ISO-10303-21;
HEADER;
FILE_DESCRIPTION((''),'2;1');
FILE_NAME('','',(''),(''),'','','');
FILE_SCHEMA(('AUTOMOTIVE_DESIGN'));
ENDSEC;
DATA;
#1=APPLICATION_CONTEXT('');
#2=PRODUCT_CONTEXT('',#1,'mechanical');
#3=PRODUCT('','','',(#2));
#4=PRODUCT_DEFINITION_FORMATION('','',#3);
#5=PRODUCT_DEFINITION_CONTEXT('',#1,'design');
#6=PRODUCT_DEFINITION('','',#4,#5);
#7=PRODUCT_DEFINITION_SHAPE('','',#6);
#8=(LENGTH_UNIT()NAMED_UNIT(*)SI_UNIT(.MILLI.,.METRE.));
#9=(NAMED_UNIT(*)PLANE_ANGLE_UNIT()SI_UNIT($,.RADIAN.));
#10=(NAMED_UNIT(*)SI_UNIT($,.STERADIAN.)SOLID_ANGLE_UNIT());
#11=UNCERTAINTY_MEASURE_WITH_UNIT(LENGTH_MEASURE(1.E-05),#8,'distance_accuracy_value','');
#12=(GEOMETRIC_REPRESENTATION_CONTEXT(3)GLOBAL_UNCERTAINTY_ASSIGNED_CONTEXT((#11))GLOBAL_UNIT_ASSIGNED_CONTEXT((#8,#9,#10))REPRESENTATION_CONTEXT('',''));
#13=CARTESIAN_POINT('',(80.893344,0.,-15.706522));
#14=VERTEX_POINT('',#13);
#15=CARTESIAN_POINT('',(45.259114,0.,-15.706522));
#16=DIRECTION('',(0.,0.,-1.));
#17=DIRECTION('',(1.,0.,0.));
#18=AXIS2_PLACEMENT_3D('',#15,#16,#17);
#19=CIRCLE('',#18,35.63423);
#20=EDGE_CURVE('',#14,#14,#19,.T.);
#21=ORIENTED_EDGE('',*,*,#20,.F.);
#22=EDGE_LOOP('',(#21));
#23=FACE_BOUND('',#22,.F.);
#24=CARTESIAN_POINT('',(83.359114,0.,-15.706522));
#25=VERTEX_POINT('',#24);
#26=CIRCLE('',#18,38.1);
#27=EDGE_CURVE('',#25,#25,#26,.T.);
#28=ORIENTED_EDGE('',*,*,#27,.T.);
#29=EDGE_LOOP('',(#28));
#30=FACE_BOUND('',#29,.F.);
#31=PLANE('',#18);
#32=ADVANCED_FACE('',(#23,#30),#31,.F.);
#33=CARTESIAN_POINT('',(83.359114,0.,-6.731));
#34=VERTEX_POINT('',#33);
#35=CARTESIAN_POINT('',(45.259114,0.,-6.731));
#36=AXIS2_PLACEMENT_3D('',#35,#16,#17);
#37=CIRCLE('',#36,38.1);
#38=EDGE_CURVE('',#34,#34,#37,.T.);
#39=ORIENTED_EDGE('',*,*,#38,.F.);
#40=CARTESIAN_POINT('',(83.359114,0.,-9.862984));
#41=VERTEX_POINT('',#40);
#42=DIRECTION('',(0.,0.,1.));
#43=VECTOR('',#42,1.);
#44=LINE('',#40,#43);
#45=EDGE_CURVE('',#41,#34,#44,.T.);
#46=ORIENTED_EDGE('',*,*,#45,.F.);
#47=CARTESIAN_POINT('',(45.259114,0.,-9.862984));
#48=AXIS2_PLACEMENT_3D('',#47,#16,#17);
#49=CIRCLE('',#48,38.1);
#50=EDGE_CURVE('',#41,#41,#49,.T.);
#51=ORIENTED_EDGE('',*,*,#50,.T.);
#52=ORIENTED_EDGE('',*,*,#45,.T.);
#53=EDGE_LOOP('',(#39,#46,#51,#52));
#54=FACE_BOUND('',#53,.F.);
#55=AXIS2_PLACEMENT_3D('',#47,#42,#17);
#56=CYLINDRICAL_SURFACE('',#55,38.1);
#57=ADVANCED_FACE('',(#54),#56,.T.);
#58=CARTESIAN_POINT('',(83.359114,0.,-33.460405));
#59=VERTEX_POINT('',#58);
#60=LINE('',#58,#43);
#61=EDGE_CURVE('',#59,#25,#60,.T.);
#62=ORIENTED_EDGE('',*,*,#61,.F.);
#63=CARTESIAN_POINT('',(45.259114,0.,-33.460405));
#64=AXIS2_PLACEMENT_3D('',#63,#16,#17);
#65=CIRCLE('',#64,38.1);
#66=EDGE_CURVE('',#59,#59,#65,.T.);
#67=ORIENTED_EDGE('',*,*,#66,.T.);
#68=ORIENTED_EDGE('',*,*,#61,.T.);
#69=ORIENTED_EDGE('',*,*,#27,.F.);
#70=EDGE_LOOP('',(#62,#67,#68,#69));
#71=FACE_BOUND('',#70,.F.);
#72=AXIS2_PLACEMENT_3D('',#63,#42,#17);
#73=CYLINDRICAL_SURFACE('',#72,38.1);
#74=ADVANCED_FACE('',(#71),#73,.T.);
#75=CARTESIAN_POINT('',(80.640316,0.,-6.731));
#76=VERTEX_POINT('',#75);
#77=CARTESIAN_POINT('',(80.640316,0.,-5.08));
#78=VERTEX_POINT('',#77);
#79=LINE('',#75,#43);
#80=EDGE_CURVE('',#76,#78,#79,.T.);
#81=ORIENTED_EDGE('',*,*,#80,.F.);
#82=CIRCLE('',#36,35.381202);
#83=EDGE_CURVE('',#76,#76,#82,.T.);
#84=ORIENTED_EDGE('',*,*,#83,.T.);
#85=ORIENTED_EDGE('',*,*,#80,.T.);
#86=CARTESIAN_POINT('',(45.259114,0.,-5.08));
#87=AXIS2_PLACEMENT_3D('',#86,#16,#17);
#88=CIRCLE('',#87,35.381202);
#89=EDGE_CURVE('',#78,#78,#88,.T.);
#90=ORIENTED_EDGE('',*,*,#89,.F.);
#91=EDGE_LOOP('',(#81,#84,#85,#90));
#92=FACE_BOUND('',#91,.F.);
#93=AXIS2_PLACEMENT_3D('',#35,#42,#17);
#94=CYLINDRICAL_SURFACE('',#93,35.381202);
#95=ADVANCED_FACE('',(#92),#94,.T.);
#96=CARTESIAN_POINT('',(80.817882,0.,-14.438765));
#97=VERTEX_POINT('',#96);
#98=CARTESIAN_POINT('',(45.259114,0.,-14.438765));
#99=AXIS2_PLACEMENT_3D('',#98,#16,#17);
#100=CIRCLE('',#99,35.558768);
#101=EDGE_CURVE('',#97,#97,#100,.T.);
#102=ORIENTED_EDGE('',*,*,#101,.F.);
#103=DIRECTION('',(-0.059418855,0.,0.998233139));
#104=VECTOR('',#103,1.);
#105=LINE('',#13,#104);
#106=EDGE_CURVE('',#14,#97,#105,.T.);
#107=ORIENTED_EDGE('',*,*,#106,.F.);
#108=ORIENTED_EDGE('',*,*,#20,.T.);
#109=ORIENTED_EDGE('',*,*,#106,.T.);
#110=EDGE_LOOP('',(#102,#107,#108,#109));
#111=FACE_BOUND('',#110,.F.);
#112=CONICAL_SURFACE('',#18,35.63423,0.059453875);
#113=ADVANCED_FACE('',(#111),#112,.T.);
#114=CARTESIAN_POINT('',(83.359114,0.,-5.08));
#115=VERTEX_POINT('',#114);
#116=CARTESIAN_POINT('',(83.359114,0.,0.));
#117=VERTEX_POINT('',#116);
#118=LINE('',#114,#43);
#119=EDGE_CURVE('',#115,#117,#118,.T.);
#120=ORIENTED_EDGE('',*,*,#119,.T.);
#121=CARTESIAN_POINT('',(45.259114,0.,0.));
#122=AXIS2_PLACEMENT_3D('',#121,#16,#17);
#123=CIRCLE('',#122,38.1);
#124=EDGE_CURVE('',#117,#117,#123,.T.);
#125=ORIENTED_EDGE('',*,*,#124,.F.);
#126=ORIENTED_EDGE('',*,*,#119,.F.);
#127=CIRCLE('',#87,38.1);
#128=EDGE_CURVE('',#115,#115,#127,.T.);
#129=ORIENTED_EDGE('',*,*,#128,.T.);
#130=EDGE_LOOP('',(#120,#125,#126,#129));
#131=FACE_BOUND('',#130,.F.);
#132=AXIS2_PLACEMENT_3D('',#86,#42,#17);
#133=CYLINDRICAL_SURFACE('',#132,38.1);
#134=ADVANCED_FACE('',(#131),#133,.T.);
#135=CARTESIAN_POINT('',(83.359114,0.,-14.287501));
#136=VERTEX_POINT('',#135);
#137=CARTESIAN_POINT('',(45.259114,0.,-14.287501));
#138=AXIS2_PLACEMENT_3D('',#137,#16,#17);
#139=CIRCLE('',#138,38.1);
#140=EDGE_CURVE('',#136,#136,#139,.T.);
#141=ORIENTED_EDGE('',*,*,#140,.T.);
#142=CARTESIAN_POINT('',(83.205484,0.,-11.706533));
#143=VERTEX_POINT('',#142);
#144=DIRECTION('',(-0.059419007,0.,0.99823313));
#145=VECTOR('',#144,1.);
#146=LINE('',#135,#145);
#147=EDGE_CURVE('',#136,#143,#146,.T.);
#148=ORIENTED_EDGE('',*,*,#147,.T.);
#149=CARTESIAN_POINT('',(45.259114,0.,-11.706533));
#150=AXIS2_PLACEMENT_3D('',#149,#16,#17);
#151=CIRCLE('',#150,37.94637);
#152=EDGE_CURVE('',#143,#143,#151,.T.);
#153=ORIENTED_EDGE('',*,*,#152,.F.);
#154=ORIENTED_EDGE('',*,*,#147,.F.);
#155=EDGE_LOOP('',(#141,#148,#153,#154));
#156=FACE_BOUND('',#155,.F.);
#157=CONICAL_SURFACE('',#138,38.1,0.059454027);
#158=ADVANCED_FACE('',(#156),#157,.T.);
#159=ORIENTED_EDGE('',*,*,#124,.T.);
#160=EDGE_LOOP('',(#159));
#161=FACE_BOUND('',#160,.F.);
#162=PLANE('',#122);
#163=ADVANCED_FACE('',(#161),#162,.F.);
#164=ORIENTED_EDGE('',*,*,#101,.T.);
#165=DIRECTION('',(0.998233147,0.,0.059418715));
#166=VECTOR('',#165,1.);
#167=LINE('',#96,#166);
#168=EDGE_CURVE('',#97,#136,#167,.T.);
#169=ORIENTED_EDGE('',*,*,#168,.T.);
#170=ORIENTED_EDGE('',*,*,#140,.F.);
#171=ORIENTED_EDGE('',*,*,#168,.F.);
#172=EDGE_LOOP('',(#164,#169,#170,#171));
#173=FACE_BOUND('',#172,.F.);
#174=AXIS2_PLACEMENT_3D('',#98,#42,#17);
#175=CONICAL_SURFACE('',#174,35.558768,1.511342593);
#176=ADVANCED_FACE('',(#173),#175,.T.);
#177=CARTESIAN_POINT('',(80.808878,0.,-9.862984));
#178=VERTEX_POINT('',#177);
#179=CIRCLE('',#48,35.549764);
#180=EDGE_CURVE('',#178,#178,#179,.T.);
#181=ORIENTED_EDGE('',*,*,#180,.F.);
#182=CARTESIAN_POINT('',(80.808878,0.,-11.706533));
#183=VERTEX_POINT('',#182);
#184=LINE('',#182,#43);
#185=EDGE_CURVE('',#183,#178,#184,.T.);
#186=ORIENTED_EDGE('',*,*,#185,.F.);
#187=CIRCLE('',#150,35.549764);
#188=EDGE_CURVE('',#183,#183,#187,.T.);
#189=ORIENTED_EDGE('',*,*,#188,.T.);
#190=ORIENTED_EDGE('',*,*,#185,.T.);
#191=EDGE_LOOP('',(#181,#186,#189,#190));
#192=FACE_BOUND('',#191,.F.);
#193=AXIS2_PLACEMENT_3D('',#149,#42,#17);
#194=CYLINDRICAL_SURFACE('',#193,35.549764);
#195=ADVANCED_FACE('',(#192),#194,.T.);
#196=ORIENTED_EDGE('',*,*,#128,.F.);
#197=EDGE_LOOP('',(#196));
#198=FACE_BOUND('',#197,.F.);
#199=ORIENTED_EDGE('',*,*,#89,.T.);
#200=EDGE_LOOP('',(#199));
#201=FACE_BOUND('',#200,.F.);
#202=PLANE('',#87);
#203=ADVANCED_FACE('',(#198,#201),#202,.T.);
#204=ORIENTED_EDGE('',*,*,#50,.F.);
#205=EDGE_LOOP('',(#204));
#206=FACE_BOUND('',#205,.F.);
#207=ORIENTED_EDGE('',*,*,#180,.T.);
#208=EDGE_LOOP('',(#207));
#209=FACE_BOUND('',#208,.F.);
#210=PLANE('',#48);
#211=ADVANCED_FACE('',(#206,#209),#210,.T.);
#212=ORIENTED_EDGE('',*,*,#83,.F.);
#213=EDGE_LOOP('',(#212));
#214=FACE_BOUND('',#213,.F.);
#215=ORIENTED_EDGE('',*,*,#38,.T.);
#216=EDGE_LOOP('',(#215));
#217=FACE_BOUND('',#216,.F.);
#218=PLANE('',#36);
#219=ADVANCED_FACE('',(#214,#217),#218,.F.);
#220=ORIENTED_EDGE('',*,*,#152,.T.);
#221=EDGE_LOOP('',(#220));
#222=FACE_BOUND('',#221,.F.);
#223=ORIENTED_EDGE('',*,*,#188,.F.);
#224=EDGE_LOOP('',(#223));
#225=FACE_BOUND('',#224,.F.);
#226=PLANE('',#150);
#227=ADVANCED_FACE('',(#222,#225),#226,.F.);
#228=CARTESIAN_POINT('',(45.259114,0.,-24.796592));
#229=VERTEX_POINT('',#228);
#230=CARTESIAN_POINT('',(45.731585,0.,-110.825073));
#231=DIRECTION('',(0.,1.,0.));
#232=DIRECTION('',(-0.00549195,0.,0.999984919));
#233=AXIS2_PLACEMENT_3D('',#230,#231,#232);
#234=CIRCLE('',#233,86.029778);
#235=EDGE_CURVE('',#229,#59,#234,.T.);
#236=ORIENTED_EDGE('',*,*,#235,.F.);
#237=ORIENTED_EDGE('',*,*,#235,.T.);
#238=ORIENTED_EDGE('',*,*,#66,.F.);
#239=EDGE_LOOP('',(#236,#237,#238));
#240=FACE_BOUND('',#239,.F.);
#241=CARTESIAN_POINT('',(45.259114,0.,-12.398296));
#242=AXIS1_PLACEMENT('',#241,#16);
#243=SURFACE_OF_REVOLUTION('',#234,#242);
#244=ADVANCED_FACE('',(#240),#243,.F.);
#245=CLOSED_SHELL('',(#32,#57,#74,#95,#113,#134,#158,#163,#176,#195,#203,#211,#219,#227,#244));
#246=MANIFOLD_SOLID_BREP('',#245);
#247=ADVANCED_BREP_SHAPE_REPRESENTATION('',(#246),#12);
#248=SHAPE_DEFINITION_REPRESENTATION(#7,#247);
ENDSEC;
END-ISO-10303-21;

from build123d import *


with BuildPart() as f1:
    # F0 (on Front) → F1 (revolve)
    with BuildSketch(Plane.XZ):
        with BuildLine():
            Line((83.359114, -5.08), (83.359114, 0))
            Line((83.359114, 0), (45.259114, 0))
            Line((45.259114, 0), (45.259114, -24.796592))
            ThreePointArc((45.259114, -24.796592), (64.807486, -26.936857), (83.359114, -33.460405))
            Line((83.359114, -33.460405), (83.359114, -15.706522))
            Line((83.359114, -15.706522), (80.893344, -15.706522))
            Line((80.893344, -15.706522), (80.817882, -14.438765))
            Line((80.817882, -14.438765), (83.359114, -14.287501))
            Line((83.359114, -14.287501), (83.205484, -11.706533))
            Line((83.205484, -11.706533), (80.808878, -11.706533))
            Line((80.808878, -11.706533), (80.808878, -9.862984))
            Line((80.808878, -9.862984), (83.359114, -9.862984))
            Line((83.359114, -9.862984), (83.359114, -6.731))
            Line((83.359114, -6.731), (80.640316, -6.731))
            Line((80.640316, -6.731), (80.640316, -5.08))
            Line((80.640316, -5.08), (83.359114, -5.08))
        make_face()
    revolve(axis=Axis((45.259114, 0, -12.398296), (0, 0, -1)))


solid = f1.part
